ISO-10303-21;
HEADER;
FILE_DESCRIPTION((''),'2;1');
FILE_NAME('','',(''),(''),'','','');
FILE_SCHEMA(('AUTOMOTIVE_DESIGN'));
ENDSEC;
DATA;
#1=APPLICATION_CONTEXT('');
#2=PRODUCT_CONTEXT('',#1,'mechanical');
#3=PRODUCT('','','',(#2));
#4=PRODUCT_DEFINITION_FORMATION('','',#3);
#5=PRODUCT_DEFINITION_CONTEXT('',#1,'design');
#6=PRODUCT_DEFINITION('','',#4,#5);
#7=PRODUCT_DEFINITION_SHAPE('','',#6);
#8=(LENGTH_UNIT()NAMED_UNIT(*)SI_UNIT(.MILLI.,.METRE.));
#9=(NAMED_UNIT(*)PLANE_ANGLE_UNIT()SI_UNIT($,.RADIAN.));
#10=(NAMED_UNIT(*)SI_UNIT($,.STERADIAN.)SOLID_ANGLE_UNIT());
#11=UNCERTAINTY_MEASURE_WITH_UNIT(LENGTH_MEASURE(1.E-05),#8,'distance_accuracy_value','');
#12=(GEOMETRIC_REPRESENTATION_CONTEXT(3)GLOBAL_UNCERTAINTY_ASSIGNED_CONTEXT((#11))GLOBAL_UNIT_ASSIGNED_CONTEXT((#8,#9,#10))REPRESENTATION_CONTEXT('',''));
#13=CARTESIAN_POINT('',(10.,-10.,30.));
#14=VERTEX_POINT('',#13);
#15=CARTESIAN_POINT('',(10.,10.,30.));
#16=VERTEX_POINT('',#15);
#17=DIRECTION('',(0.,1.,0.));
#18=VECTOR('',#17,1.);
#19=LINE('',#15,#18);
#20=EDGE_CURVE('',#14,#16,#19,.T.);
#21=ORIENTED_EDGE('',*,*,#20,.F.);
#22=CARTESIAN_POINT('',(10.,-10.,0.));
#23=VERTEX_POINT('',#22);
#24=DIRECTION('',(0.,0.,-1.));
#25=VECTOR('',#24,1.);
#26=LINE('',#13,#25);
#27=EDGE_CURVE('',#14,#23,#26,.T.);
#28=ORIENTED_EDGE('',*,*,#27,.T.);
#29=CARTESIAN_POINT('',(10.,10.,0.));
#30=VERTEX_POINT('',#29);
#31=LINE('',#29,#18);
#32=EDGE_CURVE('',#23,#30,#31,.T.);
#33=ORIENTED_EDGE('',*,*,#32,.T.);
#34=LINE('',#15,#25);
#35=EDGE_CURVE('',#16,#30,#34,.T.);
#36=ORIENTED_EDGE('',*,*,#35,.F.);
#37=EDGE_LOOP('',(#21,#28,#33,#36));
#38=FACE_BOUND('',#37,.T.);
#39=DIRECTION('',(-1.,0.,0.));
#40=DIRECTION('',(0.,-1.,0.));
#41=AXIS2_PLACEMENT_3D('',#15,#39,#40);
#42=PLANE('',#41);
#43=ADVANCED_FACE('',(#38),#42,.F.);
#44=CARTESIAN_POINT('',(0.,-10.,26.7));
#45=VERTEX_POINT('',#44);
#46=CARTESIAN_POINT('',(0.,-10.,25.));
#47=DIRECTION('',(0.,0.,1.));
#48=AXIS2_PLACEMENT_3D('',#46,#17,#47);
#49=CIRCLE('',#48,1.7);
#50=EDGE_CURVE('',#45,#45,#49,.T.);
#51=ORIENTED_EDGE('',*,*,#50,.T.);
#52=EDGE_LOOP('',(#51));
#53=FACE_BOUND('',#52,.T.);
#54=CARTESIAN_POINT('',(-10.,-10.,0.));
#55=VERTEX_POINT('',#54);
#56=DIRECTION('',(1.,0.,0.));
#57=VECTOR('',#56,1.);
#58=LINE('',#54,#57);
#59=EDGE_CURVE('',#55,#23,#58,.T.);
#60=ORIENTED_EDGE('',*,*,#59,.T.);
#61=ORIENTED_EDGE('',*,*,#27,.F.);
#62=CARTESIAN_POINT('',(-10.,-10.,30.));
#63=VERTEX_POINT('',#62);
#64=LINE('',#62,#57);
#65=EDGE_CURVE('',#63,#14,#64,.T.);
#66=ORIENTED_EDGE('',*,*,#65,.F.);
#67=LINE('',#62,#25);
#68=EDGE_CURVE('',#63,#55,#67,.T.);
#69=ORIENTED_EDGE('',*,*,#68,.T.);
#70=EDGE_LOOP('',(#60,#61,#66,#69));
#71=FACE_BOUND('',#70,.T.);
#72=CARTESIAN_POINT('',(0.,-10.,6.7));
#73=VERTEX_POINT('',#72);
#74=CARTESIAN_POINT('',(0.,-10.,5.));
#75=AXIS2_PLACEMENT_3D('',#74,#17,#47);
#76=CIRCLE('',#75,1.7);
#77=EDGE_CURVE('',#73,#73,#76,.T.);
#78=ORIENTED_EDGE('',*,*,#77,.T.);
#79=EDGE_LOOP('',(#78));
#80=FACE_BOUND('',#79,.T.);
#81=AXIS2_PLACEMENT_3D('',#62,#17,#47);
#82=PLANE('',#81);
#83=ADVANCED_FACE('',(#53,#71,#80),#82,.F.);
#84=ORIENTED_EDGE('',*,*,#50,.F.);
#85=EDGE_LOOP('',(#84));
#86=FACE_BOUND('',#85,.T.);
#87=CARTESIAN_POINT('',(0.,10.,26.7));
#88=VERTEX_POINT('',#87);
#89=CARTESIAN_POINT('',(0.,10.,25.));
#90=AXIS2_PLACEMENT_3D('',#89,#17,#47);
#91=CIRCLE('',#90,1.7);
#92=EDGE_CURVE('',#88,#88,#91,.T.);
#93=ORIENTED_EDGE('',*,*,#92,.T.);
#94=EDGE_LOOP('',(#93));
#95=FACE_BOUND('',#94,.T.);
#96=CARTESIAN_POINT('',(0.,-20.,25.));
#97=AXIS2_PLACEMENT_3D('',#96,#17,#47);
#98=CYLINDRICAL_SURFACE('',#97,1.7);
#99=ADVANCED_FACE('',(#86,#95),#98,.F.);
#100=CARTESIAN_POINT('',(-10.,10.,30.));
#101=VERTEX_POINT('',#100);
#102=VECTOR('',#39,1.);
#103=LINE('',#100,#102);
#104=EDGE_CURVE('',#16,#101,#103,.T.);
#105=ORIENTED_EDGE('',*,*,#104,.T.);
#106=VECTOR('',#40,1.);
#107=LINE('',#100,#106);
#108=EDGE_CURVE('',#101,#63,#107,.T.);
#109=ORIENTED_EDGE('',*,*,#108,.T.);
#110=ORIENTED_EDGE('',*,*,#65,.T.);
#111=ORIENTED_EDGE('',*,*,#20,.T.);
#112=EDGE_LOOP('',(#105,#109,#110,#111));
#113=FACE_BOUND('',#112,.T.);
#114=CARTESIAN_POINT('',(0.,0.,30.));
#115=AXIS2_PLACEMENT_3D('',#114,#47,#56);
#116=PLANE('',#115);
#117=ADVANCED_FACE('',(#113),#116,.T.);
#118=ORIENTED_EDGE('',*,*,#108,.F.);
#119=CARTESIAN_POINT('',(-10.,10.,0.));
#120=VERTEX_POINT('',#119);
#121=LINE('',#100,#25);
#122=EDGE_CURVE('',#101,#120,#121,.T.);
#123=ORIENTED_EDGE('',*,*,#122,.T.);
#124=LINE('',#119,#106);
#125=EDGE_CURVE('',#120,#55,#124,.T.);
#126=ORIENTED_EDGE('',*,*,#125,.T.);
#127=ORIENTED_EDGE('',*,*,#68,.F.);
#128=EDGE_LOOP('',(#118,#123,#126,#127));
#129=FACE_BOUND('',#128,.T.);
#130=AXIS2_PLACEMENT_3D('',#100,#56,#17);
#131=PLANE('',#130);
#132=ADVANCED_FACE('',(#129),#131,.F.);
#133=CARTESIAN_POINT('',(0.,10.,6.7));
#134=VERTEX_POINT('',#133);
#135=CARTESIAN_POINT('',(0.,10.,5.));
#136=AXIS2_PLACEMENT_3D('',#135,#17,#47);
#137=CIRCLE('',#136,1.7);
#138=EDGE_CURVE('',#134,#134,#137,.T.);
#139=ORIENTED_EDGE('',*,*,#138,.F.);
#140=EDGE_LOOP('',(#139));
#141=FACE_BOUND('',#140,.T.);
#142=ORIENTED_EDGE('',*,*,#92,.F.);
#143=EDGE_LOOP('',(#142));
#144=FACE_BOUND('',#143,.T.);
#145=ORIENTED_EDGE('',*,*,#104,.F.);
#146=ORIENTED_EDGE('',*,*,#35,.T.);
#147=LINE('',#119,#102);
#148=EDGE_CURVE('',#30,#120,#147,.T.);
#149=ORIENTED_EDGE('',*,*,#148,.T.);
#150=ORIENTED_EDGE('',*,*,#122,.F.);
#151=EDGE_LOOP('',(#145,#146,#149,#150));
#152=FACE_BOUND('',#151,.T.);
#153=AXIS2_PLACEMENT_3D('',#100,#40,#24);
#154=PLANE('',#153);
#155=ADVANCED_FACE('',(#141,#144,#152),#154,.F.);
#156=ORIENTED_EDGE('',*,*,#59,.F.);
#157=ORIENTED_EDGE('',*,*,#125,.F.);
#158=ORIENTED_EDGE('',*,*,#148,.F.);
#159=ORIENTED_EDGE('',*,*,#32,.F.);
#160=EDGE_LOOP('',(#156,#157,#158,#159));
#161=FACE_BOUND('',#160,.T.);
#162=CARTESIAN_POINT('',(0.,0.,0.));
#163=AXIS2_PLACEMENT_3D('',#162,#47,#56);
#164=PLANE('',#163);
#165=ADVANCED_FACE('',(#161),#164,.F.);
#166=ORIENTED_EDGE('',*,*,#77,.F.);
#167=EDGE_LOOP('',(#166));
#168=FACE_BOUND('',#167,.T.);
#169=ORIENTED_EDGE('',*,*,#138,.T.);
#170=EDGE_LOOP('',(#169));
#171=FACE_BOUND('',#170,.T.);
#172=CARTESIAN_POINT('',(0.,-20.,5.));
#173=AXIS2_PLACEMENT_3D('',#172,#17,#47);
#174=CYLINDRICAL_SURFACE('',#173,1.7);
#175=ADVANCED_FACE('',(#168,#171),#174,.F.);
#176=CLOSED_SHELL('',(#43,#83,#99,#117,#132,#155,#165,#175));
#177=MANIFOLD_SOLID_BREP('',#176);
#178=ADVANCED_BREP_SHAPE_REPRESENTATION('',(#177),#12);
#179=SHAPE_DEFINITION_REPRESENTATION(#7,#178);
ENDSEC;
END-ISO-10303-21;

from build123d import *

# Parameters (mm, degrees)
SKETCH_1_W          = 20
SKETCH_1_H          = 20
EXTRUDE_1_DEPTH     = 30
SKETCH_2_R          = 1.7
CUT_EXTRUDE_1_DEPTH = 30


with BuildPart() as part:
    # 草图1 → 凸台-拉伸1 (new body)
    with BuildSketch(Plane.XY):
        Rectangle(SKETCH_1_W, SKETCH_1_H)
    extrude(amount=EXTRUDE_1_DEPTH)

    # 草图2 → 切除-拉伸1 (cut)
    with BuildSketch(Plane(origin=(0, 10, 0), x_dir=(1, 0, 0), z_dir=(0, 1, 0))):
        with Locations(Location((0, -5, 0), (0, 0, 270))):
            Circle(SKETCH_2_R)
        with Locations(Location((0, -25, 0), (0, 0, 270))):
            Circle(SKETCH_2_R)
    extrude(amount=-CUT_EXTRUDE_1_DEPTH, mode=Mode.SUBTRACT)


solid = part.part
